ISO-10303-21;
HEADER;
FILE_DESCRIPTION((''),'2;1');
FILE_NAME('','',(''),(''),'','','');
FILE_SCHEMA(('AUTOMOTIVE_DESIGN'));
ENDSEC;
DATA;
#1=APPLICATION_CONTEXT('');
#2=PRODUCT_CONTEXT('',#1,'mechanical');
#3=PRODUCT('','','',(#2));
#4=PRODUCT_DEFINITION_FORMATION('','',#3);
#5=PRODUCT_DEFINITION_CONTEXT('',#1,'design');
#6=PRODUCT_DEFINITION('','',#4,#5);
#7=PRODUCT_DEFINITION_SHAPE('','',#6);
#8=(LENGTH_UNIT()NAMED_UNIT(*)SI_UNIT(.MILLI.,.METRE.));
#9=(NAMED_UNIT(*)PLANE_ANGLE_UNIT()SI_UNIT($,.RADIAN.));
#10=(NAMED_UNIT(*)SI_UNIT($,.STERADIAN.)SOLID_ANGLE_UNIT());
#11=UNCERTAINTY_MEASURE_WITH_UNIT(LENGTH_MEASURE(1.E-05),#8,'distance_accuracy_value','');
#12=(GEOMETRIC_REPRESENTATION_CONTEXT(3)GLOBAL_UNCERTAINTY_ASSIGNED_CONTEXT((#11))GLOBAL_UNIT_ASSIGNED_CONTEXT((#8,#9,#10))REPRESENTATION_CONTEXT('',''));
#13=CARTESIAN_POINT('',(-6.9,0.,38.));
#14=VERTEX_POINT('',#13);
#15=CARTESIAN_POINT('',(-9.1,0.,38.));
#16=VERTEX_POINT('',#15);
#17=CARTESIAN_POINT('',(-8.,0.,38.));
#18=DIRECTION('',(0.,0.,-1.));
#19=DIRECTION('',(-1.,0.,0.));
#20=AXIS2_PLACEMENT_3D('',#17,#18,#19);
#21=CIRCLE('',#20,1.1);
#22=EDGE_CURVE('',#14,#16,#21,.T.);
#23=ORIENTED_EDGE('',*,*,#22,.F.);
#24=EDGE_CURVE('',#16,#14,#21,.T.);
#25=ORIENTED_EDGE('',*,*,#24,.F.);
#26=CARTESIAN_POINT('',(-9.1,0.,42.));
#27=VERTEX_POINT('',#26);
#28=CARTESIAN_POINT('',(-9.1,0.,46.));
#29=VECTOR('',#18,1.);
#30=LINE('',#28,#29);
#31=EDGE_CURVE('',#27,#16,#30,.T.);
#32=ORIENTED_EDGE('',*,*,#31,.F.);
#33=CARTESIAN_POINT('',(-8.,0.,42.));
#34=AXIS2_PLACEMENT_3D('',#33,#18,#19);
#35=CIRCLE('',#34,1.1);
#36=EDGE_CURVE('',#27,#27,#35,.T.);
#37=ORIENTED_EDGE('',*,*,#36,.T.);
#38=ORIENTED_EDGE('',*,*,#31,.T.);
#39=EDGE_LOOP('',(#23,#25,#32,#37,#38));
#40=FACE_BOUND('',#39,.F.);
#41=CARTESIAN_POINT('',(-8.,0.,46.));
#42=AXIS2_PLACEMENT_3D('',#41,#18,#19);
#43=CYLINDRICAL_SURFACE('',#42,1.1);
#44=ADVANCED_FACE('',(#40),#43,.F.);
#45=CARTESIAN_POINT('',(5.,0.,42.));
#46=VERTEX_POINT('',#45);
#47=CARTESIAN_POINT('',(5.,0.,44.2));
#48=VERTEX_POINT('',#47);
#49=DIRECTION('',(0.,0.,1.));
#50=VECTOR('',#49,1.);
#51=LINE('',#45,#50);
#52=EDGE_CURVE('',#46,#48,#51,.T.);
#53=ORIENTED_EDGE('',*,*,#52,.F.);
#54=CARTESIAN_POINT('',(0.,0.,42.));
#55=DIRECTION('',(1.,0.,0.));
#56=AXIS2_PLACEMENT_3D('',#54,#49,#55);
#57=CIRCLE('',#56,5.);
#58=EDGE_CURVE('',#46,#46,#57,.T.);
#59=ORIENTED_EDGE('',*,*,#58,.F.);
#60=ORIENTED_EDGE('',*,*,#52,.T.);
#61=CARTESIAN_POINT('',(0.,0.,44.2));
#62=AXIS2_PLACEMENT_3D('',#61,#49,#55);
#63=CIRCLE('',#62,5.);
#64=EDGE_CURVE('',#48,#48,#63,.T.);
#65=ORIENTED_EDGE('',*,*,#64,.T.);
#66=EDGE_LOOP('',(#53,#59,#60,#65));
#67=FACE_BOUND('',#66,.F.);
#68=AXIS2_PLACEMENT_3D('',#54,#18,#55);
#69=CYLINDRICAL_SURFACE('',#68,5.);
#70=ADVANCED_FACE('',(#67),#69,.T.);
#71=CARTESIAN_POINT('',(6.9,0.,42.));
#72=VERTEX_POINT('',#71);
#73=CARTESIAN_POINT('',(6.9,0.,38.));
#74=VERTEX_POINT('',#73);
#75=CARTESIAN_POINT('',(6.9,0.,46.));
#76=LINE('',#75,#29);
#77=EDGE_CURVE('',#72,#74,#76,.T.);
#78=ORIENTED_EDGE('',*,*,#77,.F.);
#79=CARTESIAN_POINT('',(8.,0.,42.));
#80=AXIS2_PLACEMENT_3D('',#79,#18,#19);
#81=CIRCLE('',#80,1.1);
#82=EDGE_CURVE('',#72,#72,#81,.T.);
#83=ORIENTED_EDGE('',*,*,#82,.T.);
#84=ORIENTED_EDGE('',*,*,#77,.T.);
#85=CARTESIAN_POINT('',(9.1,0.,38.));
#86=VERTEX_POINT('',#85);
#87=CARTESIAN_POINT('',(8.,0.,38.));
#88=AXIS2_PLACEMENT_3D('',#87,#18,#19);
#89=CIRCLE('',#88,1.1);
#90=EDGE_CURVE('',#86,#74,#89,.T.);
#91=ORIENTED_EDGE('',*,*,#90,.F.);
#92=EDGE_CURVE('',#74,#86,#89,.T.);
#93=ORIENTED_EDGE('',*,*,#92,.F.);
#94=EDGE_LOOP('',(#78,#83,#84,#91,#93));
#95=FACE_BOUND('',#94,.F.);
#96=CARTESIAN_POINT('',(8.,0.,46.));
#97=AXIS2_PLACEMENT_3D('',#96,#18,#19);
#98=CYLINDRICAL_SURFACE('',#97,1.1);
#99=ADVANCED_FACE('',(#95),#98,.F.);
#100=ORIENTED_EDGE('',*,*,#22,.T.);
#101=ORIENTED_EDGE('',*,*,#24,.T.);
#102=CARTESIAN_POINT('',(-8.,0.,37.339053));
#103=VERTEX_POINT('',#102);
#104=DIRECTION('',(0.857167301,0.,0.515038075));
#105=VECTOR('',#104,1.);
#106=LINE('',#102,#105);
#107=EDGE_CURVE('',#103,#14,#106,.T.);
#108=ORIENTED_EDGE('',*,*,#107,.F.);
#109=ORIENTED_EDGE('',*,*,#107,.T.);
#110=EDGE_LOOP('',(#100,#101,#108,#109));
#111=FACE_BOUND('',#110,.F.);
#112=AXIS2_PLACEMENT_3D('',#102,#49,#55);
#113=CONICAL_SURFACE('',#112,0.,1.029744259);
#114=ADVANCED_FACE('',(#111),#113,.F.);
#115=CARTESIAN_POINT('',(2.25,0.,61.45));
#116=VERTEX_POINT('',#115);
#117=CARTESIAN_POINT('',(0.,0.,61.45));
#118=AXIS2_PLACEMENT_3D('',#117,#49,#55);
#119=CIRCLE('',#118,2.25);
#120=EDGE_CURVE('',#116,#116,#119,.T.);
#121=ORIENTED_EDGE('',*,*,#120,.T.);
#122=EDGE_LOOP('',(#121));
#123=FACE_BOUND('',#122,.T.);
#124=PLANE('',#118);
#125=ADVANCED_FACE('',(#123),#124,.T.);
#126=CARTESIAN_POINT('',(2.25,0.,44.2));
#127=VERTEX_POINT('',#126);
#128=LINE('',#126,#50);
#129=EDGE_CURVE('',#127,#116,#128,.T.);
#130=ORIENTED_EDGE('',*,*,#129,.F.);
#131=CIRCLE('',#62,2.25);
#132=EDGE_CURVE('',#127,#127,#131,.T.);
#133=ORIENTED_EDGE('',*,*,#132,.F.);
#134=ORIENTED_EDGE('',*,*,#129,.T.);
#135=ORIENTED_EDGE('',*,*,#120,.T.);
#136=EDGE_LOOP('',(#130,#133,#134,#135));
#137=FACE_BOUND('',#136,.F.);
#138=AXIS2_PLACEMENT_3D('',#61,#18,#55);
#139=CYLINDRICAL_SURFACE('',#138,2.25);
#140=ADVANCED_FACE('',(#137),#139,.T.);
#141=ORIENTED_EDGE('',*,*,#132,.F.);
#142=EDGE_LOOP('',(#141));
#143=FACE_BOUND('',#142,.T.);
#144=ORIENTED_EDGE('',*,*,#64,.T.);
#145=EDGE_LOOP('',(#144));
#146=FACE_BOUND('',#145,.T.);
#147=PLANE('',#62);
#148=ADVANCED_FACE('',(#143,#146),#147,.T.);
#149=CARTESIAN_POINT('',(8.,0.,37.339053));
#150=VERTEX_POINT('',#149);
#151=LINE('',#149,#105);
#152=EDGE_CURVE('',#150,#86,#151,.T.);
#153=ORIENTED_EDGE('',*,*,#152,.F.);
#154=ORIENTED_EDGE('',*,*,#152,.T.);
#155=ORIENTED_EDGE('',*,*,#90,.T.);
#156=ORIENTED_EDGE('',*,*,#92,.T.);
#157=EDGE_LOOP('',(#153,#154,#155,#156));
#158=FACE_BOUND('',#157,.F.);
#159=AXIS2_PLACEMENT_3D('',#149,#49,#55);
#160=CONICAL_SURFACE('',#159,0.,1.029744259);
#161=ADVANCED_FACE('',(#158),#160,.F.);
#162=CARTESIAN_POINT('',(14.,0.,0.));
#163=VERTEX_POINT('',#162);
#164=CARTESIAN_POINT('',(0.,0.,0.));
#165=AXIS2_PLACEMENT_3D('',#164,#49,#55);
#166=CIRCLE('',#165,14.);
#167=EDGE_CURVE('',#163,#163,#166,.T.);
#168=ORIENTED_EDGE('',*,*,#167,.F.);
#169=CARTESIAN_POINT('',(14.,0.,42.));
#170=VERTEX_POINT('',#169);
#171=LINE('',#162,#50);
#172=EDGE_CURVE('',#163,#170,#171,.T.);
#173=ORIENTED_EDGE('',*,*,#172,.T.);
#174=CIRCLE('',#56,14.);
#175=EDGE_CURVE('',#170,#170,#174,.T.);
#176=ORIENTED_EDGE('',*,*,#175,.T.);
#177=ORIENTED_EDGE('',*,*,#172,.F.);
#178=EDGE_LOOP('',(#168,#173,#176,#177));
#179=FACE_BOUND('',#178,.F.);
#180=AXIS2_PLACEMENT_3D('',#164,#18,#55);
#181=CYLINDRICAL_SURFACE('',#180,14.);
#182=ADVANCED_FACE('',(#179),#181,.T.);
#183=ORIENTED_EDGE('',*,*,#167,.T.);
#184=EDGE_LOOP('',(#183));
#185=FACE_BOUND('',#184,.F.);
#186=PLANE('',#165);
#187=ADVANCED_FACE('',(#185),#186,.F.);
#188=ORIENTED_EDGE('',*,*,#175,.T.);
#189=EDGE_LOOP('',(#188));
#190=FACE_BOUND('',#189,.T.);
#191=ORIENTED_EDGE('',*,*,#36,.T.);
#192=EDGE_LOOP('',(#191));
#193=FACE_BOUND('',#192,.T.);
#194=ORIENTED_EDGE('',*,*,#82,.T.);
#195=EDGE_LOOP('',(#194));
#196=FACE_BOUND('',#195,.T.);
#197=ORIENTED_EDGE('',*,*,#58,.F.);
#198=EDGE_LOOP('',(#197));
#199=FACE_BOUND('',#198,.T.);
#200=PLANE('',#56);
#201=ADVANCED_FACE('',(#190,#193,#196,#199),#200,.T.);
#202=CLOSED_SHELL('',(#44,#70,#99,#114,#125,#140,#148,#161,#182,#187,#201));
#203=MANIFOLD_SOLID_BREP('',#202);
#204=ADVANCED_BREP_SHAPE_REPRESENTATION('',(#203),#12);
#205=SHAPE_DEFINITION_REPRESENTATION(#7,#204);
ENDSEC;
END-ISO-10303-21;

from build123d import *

# Parameters (mm, degrees)
F0_R     = 14
F1_DEPTH = 42
F2_R     = 5
F3_DEPTH = 2.2
F4_R     = 2.25
F5_DEPTH = 17.25
F6_D     = 2.2
F6_DEPTH = 4
F6_TIP   = 0.6609466809


with BuildPart() as f1:
    # F0 (on Top) → F1 (new body)
    with BuildSketch(Plane.XY):
        Circle(F0_R)
    extrude(amount=F1_DEPTH)

    # F2 (on face) → F3 (join)
    with BuildSketch(Plane.XY.offset(42)):
        Circle(F2_R)
    extrude(amount=F3_DEPTH)

    # F4 (on face) → F5 (join)
    with BuildSketch(Plane.XY.offset(44.2)):
        Circle(F4_R)
    extrude(amount=F5_DEPTH)

    # F6
    with Locations(Plane.XY.offset(42)):
        with Locations((-8, 0), (8, 0)):
            Hole(F6_D / 2, depth=F6_DEPTH)
            with Locations((0, 0, -(F6_DEPTH + F6_TIP / 2))):  # 118° drill point
                Cone(0, F6_D / 2, F6_TIP, mode=Mode.SUBTRACT)


solid = f1.part
